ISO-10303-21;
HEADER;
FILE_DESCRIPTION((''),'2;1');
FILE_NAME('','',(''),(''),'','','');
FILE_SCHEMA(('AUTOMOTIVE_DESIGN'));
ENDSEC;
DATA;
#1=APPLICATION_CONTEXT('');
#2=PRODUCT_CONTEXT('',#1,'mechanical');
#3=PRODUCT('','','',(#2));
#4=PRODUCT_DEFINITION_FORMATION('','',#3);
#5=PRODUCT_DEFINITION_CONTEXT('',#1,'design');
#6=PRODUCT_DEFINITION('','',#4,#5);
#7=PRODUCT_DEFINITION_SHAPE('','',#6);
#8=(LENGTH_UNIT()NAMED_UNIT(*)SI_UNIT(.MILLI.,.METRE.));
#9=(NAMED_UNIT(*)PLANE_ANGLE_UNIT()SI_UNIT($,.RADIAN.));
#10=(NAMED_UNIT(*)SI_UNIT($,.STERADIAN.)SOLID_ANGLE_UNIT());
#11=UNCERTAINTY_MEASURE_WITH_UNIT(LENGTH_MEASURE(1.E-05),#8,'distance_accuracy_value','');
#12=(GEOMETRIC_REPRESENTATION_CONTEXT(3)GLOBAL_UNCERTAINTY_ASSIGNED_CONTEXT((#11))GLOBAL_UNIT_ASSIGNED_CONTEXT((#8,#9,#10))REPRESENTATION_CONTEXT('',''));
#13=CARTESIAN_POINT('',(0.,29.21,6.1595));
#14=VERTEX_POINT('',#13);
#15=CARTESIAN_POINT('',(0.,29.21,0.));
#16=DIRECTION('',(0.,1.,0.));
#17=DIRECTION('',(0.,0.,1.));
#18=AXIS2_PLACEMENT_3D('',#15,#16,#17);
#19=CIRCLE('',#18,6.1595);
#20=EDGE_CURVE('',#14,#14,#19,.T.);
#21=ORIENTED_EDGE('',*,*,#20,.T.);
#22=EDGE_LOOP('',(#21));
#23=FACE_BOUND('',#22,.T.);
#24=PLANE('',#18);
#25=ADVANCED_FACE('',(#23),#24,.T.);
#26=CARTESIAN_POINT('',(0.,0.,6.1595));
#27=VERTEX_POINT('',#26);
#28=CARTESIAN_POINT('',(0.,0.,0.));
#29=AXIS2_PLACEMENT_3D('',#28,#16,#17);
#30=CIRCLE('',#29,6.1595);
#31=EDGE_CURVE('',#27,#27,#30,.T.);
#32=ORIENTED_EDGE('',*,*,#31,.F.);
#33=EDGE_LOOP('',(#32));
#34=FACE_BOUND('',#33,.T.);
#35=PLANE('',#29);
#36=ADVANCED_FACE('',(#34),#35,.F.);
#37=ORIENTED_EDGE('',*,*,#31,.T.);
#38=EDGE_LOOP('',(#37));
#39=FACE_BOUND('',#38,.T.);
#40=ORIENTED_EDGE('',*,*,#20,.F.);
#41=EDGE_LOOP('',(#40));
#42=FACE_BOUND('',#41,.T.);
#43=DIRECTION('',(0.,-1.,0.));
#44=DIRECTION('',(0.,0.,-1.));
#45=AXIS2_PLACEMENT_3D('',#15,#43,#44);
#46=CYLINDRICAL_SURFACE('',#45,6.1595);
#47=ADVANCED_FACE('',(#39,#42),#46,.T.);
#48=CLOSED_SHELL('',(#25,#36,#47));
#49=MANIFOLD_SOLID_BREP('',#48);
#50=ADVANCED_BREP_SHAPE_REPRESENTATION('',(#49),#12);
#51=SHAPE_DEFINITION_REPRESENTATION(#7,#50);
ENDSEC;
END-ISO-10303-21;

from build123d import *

# Parameters (mm, degrees)
SKETCH1_R           = 6.1595
BOSS_EXTRUDE1_DEPTH = 29.21


with BuildPart() as part:
    # Sketch1 → Boss-Extrude1 (new body)
    with BuildSketch(Plane(origin=(0, 0, 0), x_dir=(1, 0, 0), z_dir=(0, 1, 0))):
        Circle(SKETCH1_R)
    extrude(amount=BOSS_EXTRUDE1_DEPTH)


solid = part.part
